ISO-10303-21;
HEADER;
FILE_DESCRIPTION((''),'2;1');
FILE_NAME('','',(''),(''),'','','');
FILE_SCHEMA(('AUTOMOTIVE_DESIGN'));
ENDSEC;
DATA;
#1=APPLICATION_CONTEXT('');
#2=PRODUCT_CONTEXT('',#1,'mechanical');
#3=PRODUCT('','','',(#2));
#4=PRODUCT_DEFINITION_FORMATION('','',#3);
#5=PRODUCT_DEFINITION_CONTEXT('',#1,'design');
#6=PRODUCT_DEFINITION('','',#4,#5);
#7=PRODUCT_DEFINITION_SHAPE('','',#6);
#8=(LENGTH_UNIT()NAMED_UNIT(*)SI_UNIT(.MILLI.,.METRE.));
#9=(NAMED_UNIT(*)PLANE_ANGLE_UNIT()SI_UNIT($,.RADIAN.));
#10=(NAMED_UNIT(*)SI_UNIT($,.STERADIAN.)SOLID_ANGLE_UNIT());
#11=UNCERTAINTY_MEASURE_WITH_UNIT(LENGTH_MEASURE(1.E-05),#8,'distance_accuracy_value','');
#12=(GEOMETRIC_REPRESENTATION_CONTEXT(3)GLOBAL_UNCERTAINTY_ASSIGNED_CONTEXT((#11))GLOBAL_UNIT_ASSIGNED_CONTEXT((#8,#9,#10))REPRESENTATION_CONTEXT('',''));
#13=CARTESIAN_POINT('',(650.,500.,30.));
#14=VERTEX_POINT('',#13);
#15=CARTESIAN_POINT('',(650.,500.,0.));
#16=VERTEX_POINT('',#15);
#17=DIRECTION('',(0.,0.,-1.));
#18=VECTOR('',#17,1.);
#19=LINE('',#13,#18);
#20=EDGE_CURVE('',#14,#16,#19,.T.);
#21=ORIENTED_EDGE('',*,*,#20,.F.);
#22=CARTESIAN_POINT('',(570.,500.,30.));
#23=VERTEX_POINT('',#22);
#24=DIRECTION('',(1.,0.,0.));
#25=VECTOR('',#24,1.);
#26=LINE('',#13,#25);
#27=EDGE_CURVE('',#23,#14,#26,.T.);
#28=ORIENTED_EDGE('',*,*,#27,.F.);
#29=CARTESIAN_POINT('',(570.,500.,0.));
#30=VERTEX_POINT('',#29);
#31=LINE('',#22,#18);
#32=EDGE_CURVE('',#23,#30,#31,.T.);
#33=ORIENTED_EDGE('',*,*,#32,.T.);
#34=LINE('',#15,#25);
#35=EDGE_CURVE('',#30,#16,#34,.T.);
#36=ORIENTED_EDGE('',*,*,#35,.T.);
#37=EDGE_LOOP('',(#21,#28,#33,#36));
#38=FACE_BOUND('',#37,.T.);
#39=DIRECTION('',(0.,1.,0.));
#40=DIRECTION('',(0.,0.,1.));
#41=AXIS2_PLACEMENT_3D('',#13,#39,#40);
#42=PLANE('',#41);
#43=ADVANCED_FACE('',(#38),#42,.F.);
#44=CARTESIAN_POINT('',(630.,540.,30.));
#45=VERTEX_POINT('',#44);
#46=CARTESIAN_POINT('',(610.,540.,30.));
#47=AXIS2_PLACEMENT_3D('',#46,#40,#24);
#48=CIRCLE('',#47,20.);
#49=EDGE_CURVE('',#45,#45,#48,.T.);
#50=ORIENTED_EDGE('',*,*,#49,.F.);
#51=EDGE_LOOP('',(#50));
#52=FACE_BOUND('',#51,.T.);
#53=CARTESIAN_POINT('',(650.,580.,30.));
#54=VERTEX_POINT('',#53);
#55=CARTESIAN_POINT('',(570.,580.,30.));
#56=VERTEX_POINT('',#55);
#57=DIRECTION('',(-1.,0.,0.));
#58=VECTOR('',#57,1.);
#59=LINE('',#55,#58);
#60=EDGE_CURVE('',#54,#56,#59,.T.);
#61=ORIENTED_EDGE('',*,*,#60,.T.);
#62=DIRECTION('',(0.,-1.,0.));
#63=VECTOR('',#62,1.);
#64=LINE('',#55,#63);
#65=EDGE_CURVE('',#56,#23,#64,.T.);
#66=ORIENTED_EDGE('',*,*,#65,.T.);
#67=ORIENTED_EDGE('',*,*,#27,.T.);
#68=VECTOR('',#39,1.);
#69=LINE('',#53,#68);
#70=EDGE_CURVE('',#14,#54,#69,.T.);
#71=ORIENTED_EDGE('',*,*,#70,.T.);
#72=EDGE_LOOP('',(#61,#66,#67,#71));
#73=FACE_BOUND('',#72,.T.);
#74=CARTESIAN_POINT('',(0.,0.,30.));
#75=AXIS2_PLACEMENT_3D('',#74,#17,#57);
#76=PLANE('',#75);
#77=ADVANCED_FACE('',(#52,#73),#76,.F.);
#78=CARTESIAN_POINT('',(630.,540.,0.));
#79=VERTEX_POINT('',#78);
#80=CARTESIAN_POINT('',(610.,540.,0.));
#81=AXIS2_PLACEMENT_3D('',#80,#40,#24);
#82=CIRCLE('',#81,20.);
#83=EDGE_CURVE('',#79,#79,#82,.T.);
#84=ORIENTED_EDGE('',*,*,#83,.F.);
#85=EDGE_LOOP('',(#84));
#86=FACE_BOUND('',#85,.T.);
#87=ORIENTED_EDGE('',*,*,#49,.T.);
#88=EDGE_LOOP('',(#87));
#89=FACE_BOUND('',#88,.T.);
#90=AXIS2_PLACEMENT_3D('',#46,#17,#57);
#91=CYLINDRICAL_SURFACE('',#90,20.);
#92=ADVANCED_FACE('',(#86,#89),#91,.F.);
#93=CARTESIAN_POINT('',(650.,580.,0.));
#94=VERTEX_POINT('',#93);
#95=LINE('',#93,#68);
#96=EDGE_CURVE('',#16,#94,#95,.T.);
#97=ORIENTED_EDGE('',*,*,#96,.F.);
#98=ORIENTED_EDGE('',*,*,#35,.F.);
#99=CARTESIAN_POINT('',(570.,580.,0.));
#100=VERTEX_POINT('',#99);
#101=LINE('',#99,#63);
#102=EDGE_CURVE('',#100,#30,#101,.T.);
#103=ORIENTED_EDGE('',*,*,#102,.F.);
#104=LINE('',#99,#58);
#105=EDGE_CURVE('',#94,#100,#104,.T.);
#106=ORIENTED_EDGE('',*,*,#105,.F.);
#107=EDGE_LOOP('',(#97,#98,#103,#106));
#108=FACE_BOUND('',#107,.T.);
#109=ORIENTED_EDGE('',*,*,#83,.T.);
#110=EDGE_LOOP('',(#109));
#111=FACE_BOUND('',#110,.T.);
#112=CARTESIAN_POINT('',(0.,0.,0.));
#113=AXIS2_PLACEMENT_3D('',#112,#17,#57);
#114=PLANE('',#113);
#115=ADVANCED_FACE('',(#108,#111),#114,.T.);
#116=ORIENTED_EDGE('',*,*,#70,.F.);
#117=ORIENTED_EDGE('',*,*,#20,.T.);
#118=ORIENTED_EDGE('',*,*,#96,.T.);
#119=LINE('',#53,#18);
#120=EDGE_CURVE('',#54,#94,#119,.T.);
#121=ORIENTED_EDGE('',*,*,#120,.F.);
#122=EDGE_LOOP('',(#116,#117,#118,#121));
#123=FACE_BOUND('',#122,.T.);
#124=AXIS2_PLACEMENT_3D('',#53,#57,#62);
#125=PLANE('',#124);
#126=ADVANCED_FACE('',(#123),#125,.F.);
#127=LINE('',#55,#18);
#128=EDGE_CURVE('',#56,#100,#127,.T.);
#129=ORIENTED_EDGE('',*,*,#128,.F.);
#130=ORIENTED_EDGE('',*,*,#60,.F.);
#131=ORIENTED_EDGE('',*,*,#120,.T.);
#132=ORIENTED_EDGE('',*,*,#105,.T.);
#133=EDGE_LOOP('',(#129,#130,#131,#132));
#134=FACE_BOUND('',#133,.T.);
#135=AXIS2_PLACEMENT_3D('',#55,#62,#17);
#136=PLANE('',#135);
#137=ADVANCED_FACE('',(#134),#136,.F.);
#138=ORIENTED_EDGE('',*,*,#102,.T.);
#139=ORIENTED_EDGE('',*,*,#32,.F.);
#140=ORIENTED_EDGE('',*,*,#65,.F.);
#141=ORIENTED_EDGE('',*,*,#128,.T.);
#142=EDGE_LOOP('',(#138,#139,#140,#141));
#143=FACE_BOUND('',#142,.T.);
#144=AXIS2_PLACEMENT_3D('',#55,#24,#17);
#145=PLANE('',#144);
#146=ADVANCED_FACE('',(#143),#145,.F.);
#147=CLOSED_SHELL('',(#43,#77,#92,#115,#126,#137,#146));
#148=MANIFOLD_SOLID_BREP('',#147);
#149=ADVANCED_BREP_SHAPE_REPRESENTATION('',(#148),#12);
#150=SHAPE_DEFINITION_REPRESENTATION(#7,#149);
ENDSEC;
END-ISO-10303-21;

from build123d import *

# Parameters (mm, degrees)
CROQUIS1_W              = 80
CROQUIS1_H              = 80
CROQUIS1_R              = 20
SALIENTE_EXTRUIR2_DEPTH = 30


with BuildPart() as part:
    # Croquis1 → Saliente-Extruir2 (new body)
    with BuildSketch(Plane.XY):
        with Locations((610, 540)):
            Rectangle(CROQUIS1_W, CROQUIS1_H)
        with Locations((610, 540)):
            Circle(CROQUIS1_R, mode=Mode.SUBTRACT)
    extrude(amount=SALIENTE_EXTRUIR2_DEPTH)


solid = part.part
